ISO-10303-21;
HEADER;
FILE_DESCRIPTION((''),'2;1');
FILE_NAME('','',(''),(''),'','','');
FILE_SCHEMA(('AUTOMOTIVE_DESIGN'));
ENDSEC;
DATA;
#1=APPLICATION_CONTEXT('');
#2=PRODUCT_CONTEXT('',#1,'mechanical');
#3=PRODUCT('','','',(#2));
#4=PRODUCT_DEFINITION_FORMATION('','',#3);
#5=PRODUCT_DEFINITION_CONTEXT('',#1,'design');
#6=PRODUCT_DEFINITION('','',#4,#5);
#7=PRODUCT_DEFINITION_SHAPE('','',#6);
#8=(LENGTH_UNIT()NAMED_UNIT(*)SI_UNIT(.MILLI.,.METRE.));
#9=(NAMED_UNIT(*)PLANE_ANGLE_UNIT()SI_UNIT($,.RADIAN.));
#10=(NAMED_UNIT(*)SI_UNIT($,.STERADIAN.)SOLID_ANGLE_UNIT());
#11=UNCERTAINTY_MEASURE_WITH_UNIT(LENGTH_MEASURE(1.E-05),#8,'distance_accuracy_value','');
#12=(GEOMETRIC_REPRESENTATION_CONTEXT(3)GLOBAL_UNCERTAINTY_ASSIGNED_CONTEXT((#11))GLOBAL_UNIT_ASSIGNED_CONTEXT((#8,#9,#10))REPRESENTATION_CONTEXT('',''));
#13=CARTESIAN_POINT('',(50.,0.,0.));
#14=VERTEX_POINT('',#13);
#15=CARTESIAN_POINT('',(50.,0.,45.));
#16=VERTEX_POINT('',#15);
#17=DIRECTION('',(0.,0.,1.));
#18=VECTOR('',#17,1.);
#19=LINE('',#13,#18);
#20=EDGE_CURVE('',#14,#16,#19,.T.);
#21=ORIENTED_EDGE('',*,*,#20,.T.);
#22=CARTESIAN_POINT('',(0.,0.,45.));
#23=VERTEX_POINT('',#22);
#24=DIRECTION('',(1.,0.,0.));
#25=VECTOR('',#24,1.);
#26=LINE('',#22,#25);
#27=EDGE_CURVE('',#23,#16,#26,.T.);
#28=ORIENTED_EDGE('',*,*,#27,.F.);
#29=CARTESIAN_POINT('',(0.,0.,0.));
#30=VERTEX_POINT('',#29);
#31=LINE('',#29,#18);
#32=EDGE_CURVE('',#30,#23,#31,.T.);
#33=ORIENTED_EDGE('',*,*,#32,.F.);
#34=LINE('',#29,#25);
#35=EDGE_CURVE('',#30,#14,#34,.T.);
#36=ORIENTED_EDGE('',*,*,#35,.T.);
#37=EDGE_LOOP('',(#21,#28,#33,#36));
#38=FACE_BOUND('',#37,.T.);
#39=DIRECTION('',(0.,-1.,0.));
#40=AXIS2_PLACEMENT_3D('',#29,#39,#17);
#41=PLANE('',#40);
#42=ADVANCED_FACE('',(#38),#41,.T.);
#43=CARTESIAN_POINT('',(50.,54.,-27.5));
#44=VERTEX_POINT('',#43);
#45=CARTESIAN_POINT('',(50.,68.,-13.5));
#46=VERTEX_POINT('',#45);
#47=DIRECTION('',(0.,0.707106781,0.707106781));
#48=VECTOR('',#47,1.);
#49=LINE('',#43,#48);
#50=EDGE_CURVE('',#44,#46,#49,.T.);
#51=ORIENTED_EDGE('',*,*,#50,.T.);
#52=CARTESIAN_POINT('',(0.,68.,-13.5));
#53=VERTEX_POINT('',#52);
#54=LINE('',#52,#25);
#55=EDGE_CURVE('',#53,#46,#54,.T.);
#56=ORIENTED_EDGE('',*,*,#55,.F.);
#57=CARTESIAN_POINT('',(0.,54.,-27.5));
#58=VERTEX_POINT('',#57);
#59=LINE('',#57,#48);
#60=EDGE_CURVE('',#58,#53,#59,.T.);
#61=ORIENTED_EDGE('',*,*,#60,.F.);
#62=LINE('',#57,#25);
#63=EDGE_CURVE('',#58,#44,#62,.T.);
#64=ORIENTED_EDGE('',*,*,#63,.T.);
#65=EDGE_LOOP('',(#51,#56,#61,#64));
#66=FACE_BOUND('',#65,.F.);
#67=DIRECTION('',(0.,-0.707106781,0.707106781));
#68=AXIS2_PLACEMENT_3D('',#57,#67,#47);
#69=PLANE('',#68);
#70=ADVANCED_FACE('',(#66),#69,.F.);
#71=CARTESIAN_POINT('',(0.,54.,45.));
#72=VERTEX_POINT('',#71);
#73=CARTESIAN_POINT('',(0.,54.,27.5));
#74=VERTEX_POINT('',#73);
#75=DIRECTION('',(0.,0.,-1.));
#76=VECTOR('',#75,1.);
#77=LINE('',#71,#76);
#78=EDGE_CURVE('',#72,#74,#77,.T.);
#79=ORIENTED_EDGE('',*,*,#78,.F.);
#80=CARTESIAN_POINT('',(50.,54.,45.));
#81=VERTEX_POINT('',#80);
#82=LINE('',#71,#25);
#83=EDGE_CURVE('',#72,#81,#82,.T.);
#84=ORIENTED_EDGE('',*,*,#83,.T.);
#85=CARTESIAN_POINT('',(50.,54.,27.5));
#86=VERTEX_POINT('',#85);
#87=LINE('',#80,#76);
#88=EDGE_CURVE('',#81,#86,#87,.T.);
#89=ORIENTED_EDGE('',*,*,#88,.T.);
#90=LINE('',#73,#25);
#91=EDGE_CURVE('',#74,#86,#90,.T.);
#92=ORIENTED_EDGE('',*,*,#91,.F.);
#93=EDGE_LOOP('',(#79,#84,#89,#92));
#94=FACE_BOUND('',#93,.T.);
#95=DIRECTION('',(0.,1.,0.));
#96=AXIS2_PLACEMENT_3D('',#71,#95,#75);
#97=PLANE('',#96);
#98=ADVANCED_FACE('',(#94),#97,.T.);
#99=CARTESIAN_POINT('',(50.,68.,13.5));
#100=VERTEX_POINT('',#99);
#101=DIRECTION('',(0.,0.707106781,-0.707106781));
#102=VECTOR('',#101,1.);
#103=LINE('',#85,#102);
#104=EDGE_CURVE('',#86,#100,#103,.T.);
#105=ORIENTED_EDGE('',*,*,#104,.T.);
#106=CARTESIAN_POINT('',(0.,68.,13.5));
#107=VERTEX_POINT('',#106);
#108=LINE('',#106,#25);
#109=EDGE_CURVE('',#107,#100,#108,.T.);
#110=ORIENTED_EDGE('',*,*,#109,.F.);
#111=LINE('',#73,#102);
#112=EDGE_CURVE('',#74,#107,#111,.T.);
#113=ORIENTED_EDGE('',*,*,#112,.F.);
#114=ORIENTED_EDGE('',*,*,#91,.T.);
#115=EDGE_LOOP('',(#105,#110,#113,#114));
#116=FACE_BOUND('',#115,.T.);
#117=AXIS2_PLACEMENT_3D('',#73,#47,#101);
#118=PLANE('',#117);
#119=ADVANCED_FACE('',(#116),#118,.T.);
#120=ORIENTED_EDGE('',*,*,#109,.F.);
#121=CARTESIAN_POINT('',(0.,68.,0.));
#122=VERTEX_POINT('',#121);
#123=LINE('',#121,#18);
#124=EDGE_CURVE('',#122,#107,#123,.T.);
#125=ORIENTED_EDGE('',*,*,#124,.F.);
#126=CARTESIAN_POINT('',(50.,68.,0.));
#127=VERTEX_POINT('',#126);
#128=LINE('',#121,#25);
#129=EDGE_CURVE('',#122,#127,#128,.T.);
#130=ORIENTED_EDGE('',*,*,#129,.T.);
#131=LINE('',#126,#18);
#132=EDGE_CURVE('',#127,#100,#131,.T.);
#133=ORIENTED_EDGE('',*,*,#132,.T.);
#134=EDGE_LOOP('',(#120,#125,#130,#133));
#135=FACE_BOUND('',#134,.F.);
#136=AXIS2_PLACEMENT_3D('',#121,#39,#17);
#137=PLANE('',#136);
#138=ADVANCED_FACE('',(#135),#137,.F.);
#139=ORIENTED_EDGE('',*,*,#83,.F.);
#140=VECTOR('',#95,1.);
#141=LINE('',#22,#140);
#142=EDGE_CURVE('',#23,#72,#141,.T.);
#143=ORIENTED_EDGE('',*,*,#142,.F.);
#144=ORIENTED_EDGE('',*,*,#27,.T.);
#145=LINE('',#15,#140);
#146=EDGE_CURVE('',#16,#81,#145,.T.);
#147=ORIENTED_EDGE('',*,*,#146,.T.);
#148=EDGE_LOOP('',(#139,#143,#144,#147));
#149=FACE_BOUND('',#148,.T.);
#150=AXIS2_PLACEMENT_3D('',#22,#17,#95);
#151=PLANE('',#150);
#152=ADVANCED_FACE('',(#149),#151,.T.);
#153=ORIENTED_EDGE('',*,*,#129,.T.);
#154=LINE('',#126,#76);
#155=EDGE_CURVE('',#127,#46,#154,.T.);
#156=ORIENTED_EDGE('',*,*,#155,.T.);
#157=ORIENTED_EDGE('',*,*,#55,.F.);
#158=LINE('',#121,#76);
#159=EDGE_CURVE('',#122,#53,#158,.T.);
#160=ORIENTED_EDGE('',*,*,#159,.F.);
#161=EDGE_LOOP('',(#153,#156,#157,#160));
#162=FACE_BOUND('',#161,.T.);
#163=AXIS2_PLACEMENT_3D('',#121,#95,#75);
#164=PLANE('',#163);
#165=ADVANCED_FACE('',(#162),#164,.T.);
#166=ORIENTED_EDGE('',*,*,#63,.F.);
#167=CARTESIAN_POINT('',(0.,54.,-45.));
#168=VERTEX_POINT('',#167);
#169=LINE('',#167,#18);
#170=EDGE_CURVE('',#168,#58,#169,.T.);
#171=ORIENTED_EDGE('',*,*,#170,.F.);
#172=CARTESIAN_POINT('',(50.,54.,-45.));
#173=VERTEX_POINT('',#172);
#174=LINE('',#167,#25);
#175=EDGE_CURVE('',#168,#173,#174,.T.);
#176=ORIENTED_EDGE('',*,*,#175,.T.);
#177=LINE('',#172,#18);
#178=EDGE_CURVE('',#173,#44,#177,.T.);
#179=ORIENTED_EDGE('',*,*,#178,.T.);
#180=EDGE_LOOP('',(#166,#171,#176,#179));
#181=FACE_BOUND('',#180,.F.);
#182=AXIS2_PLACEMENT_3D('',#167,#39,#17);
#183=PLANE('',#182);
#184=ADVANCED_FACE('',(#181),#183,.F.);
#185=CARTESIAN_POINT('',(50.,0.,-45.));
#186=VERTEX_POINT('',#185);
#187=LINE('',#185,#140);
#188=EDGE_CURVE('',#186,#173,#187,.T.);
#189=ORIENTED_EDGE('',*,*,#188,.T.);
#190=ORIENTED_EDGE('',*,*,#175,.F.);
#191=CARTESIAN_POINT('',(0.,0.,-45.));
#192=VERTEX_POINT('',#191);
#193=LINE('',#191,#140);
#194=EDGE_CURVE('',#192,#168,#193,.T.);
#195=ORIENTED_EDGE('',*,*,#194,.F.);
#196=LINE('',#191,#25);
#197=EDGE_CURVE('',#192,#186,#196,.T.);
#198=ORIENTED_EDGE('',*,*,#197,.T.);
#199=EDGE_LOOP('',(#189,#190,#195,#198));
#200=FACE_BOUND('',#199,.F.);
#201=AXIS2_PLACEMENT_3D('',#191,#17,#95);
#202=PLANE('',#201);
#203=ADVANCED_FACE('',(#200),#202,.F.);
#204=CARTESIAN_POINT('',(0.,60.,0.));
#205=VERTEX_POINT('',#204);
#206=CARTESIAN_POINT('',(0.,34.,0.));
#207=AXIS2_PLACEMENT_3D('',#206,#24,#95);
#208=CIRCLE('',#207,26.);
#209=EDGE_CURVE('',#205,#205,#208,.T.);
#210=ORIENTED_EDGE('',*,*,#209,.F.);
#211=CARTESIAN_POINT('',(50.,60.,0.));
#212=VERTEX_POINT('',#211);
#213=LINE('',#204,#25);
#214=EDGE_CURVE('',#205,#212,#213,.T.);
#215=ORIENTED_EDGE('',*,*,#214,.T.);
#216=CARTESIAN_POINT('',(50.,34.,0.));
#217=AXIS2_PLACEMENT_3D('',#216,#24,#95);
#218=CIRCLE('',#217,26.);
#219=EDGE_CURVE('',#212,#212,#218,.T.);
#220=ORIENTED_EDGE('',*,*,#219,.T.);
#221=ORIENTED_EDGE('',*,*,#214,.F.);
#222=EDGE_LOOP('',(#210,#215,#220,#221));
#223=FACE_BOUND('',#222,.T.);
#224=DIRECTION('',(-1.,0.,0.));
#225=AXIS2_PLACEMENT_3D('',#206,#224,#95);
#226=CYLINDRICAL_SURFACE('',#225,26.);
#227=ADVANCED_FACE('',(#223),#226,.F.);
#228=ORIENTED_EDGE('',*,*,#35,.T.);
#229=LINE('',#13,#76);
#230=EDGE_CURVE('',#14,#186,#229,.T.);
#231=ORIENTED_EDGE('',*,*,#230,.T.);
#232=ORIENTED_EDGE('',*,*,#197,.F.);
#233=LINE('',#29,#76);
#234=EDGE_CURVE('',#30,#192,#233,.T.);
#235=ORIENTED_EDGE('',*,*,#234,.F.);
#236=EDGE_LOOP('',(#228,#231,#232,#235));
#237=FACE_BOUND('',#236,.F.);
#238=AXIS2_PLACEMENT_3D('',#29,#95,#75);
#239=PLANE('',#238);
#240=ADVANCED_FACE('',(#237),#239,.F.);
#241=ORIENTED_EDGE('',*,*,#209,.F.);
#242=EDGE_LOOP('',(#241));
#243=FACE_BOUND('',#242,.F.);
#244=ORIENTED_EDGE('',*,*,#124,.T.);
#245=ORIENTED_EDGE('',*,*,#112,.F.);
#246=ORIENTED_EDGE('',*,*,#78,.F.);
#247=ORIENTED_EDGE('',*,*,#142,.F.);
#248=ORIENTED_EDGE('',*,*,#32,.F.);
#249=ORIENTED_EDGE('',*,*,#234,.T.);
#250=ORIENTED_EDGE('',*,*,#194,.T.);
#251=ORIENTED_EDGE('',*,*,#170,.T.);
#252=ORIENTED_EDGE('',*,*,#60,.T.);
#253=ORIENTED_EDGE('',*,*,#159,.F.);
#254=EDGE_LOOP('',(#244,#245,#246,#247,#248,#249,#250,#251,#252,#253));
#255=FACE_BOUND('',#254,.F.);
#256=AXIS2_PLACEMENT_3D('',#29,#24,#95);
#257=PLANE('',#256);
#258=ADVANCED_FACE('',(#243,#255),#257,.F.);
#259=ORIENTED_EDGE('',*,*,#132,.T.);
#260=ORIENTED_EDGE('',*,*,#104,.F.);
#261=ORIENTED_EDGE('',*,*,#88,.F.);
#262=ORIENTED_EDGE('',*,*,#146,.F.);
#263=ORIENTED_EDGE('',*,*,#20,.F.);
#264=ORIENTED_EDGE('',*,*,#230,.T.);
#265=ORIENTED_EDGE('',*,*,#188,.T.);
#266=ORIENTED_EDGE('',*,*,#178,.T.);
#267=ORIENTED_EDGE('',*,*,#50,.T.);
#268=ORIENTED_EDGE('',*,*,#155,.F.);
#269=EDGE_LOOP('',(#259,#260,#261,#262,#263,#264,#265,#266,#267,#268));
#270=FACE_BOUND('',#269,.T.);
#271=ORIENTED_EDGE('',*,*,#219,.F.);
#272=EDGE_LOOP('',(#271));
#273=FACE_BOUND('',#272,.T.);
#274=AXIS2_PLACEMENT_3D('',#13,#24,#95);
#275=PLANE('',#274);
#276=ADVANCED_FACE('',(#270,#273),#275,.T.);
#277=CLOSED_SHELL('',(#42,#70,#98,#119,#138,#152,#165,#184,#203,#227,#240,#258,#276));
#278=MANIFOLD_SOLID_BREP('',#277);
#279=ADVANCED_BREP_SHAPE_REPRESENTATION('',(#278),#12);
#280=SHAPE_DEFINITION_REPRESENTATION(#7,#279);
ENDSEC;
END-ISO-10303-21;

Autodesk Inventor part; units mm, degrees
ref_plane "YZ Plane" through (0, 0, 0) normal (1, 0, 0) x (0, 1, 0)
ref_plane "XZ Plane" through (0, 0, 0) normal (0, 1, 0) x (-1, 0, 0)
ref_plane "XY Plane" through (0, 0, 0) normal (0, 0, 1) x (1, 0, 0)
sketch "Sketch1" plane through (0, 0, 0) normal (1, 0, 0) x (0, 1, 0)
  line L0 (0, 0) -> (257.364, 0) construction
  line L1 (0, 0) -> (0, 45)
  line L2 (0, 45) -> (54, 45)
  line L3 (54, 0) -> (54, 27.5) construction
  line L4 (54, 45) -> (54, 27.5)
  line L5 (68, 0) -> (68, 13.5)
  line L6 (54, 27.5) -> (68, 13.5)
  circle A0 centre (34, 0) radius 26
  line L7 (0, 0) -> (0, -45)
  line L8 (0, -45) -> (54, -45)
  line L9 (54, -45) -> (54, -27.5)
  line L10 (68, 0) -> (68, -13.5)
  line L11 (54, -27.5) -> (68, -13.5)
  dimension "d0" = 45
  dimension "d1" = 54
  dimension "d2" = 27.5
  dimension "d4" = 13.5
  dimension "d5" = 68
  dimension "d6" = 52
  dimension "d7" = 34
extrude "Extrusion1" add sketch "Sketch1" along normal blind 50
properties part number "spindleMount"
